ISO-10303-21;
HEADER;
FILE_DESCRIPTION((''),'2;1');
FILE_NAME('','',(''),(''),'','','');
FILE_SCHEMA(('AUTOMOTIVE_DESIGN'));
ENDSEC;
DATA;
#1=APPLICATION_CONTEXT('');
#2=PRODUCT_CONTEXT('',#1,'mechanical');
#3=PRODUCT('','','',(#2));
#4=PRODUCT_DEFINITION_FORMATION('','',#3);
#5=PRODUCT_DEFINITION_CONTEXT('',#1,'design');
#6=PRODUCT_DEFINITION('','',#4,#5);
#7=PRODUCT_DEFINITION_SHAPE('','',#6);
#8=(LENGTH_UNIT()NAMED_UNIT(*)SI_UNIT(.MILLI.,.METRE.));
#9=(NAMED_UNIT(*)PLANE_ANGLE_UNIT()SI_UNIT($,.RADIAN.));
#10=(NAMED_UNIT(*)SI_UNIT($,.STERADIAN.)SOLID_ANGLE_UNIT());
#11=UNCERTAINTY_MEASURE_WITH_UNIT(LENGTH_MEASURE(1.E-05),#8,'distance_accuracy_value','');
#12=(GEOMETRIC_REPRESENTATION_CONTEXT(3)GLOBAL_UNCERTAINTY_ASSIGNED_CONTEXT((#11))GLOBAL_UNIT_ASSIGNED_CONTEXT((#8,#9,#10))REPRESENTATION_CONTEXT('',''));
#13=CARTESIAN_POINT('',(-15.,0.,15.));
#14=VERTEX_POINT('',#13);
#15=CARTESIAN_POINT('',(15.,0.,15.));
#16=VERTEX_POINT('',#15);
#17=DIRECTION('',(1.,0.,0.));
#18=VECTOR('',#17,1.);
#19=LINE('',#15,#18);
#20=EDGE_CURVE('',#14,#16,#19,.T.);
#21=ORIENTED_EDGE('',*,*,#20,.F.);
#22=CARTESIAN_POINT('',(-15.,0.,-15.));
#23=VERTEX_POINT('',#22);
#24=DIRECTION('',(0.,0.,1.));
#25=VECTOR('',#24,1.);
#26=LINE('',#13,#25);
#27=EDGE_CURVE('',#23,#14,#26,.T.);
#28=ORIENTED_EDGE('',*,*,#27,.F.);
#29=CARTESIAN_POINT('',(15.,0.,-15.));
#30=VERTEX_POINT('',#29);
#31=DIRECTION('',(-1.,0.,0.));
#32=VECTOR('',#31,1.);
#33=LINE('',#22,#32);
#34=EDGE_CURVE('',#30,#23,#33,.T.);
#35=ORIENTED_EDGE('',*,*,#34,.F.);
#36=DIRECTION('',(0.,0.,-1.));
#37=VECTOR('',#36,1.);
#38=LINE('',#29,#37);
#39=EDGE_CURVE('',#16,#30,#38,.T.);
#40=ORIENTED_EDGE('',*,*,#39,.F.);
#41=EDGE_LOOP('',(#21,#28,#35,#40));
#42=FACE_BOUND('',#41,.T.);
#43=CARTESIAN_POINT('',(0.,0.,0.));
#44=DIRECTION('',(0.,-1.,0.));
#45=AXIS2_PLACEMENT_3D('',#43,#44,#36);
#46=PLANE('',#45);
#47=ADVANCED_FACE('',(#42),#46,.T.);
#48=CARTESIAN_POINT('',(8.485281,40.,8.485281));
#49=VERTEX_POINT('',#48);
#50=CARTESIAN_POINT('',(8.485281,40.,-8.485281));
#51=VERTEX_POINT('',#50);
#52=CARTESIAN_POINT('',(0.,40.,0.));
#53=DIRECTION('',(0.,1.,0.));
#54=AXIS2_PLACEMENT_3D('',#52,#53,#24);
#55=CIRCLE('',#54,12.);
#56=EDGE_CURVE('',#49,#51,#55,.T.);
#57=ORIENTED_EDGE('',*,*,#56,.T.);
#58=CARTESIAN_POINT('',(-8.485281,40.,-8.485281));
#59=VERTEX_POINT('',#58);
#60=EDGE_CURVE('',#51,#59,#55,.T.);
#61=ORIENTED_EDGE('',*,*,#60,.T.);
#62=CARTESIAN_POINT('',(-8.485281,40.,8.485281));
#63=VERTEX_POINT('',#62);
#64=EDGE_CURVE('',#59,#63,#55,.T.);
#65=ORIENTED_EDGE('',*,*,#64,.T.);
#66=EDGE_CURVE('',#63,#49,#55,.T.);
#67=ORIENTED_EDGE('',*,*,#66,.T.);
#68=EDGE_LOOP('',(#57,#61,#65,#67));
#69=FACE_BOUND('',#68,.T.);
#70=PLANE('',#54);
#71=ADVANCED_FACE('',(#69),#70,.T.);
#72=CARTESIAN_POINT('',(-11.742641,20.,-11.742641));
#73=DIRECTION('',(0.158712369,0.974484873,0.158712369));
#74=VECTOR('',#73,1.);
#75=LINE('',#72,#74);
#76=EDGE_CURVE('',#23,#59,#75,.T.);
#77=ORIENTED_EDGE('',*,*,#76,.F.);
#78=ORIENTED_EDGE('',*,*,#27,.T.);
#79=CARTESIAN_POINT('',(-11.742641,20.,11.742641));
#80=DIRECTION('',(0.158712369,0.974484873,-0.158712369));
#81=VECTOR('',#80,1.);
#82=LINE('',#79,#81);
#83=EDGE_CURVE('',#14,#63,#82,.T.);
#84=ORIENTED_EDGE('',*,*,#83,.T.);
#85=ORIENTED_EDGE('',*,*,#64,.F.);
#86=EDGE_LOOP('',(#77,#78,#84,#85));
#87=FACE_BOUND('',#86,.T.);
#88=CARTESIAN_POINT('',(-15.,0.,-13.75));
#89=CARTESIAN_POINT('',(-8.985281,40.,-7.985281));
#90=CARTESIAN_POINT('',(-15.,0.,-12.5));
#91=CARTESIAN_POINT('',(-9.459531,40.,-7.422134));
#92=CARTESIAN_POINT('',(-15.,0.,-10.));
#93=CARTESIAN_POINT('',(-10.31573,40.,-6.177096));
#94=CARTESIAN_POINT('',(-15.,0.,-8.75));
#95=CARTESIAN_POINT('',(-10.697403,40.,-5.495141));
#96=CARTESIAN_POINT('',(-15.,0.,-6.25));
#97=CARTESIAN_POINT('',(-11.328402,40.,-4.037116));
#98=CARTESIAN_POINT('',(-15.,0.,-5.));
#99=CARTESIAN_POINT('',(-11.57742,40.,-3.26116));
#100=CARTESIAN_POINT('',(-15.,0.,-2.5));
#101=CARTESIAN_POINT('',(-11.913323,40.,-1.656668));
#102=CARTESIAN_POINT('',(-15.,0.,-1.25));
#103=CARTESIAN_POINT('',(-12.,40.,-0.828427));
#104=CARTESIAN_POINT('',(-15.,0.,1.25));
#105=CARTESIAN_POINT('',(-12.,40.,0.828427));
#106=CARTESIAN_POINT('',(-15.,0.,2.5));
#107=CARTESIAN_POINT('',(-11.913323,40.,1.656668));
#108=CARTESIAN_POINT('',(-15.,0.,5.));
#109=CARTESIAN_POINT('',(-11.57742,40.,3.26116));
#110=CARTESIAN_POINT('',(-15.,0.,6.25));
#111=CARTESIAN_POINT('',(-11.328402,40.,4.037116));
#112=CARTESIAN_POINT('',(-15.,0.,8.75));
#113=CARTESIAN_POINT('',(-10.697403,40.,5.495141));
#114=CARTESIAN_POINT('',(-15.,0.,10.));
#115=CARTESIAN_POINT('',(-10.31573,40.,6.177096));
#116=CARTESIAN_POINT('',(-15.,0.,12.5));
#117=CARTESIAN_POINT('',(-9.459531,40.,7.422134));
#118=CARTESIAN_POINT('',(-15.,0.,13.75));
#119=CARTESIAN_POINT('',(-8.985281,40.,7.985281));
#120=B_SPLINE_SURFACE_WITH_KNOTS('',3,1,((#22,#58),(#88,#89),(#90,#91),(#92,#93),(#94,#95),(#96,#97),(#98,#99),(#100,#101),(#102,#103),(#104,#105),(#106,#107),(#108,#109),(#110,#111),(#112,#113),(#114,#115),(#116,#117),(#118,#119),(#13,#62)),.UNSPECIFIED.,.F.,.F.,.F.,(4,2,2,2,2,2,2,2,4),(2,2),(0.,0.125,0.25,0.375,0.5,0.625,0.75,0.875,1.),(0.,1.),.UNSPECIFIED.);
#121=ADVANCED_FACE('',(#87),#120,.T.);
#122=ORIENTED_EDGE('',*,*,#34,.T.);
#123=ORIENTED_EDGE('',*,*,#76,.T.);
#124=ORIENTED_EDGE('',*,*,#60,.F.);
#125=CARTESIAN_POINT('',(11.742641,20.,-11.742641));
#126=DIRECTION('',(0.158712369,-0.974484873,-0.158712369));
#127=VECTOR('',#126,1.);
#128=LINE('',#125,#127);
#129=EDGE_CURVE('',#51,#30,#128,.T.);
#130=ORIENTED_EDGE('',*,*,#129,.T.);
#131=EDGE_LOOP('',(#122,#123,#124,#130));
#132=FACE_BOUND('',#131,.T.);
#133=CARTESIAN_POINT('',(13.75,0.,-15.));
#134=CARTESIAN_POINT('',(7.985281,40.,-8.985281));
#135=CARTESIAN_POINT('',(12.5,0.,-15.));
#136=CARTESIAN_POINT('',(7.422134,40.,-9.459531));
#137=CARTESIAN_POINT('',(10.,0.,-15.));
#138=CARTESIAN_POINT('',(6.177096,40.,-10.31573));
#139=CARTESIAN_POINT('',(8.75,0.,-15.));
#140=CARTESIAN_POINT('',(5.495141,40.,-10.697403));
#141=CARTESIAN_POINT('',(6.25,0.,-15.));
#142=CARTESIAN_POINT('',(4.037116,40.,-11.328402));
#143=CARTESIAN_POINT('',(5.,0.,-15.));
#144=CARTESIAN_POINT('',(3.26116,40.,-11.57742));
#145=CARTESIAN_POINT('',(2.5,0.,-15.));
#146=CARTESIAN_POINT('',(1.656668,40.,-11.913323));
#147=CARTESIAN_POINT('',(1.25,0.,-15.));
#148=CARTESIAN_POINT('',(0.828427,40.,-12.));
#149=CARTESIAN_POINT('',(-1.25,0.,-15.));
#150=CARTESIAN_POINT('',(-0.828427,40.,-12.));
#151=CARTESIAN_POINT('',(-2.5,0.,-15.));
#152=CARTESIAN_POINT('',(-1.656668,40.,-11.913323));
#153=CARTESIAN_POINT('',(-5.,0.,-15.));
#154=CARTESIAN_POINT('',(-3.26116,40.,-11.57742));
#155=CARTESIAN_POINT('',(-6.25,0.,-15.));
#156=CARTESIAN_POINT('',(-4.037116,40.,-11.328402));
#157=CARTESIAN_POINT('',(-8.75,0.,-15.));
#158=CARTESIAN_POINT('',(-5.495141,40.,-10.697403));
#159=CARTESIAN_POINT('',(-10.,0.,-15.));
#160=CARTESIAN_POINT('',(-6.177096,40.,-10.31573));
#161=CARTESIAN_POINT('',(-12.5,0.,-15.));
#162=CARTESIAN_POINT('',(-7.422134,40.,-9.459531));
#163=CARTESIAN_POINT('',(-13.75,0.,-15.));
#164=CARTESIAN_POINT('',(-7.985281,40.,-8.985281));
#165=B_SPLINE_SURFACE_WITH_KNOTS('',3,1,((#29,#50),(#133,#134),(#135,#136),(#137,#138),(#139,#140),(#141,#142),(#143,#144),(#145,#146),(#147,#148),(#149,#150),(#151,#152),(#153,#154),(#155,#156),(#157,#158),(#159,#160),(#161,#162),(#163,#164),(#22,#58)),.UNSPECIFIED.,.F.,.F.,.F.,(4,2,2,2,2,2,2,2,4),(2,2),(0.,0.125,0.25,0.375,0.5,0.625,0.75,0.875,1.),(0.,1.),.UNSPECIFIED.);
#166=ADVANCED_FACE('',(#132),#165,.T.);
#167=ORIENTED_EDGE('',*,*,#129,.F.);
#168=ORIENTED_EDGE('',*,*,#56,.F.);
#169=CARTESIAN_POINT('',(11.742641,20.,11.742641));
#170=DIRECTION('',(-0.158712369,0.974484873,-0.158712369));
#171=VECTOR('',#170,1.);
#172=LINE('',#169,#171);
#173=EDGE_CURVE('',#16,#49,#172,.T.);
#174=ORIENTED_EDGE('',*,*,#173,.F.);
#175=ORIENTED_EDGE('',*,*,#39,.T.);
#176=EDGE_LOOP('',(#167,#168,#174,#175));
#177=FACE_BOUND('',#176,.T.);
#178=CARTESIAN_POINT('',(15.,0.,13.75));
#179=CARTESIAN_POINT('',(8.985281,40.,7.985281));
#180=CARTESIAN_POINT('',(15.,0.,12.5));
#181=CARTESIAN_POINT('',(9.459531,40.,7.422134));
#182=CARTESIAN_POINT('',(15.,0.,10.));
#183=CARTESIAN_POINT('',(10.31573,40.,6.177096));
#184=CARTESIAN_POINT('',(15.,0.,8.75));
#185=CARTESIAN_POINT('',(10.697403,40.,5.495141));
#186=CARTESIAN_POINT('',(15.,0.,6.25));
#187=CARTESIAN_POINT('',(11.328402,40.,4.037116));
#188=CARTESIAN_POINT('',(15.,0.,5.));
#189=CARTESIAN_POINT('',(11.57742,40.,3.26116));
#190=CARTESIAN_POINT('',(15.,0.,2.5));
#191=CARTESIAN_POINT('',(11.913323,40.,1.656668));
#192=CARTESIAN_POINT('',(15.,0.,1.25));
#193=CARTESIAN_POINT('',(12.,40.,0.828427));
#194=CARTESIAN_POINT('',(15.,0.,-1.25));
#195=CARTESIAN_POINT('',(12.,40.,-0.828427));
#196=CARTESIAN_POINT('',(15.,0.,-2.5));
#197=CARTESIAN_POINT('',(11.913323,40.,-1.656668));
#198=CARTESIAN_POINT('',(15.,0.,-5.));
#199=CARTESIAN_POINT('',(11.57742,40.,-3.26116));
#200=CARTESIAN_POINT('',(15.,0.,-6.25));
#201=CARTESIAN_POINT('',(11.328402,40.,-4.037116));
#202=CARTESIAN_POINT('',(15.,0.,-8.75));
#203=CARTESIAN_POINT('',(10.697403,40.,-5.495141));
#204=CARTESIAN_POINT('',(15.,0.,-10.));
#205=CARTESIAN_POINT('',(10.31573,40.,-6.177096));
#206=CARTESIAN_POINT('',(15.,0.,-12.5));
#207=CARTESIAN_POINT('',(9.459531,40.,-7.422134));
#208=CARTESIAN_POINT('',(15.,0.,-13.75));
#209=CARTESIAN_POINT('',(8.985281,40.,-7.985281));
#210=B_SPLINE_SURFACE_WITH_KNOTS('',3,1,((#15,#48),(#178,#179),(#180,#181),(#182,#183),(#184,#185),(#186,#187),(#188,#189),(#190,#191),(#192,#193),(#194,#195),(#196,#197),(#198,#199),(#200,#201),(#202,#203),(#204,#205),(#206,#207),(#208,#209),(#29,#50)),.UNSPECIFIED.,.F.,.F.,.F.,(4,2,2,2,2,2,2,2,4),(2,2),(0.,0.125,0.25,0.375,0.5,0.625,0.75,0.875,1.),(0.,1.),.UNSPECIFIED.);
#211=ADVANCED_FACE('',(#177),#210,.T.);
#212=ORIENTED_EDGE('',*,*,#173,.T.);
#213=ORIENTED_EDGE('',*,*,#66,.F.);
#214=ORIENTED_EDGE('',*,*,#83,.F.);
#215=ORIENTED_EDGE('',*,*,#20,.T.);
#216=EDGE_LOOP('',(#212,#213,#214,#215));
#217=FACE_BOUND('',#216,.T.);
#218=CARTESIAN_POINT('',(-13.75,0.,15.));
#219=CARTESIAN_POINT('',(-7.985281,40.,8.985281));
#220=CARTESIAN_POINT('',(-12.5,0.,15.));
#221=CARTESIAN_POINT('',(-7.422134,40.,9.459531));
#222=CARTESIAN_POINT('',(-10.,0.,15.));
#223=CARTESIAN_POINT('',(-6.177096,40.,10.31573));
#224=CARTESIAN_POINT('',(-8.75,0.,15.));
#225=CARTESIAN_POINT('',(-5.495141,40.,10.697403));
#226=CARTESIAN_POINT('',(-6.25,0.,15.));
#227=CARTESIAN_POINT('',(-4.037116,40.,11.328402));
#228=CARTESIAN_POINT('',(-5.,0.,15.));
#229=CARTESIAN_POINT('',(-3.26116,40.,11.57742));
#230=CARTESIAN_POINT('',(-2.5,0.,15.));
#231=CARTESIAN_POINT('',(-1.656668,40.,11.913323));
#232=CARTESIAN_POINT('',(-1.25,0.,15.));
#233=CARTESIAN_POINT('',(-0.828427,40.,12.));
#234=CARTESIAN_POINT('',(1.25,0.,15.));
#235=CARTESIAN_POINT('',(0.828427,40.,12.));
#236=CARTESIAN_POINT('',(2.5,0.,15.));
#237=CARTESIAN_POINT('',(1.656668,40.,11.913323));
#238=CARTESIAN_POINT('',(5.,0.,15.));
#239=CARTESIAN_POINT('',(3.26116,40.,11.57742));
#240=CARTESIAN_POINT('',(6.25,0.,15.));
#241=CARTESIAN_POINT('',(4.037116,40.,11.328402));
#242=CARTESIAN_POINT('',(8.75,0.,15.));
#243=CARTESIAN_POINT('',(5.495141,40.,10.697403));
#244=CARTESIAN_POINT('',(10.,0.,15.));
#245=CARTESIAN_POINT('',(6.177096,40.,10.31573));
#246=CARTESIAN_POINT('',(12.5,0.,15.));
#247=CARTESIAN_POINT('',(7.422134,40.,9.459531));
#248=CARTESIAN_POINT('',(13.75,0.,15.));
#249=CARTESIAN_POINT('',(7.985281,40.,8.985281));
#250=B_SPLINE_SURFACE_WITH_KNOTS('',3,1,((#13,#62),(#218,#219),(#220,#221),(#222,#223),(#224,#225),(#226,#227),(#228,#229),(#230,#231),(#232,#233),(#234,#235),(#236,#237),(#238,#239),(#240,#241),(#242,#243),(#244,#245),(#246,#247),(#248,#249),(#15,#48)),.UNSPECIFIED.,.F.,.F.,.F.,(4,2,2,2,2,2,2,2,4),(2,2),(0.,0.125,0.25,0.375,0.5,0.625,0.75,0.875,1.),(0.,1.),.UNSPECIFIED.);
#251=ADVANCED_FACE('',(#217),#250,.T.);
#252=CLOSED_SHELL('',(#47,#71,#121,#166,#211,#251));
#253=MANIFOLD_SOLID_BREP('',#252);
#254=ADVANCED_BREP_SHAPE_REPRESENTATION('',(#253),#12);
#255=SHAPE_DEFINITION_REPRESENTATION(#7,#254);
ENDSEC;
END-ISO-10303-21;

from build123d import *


with BuildPart() as part:
    # 草图1 → 放样1 section 0
    with BuildSketch(Plane(origin=(0, 0, 0), x_dir=(1, 0, 0), z_dir=(0, 1, 0))):
        with BuildLine():
            Line((-15, 15), (15, 15))
            Line((15, 15), (15, -15))
            Line((15, -15), (-15, -15))
            Line((-15, -15), (-15, 15))
        make_face()
    # 草图2 for 放样1 → 放样1 section 1
    with BuildSketch(Plane(origin=(0, 40, 0), x_dir=(1, 0, 0), z_dir=(0, 1, 0))):
        with BuildLine():
            # circular arc as an exact rational Bezier (weights 1, cos(half-angle), 1)
            Bezier((-8.485281374, 8.485281374), (0, 16.970562749), (8.485281374, 8.485281374), weights=[1, 0.707106781, 1])
            Bezier((8.485281374, 8.485281374), (16.970562749, 0), (8.485281374, -8.485281374), weights=[1, 0.707106781, 1])
            Bezier((8.485281374, -8.485281374), (0, -16.970562749), (-8.485281374, -8.485281374), weights=[1, 0.707106781, 1])
            Bezier((-8.485281374, -8.485281374), (-16.970562749, 0), (-8.485281374, 8.485281374), weights=[1, 0.707106781, 1])
        make_face()
    loft()


solid = part.part
